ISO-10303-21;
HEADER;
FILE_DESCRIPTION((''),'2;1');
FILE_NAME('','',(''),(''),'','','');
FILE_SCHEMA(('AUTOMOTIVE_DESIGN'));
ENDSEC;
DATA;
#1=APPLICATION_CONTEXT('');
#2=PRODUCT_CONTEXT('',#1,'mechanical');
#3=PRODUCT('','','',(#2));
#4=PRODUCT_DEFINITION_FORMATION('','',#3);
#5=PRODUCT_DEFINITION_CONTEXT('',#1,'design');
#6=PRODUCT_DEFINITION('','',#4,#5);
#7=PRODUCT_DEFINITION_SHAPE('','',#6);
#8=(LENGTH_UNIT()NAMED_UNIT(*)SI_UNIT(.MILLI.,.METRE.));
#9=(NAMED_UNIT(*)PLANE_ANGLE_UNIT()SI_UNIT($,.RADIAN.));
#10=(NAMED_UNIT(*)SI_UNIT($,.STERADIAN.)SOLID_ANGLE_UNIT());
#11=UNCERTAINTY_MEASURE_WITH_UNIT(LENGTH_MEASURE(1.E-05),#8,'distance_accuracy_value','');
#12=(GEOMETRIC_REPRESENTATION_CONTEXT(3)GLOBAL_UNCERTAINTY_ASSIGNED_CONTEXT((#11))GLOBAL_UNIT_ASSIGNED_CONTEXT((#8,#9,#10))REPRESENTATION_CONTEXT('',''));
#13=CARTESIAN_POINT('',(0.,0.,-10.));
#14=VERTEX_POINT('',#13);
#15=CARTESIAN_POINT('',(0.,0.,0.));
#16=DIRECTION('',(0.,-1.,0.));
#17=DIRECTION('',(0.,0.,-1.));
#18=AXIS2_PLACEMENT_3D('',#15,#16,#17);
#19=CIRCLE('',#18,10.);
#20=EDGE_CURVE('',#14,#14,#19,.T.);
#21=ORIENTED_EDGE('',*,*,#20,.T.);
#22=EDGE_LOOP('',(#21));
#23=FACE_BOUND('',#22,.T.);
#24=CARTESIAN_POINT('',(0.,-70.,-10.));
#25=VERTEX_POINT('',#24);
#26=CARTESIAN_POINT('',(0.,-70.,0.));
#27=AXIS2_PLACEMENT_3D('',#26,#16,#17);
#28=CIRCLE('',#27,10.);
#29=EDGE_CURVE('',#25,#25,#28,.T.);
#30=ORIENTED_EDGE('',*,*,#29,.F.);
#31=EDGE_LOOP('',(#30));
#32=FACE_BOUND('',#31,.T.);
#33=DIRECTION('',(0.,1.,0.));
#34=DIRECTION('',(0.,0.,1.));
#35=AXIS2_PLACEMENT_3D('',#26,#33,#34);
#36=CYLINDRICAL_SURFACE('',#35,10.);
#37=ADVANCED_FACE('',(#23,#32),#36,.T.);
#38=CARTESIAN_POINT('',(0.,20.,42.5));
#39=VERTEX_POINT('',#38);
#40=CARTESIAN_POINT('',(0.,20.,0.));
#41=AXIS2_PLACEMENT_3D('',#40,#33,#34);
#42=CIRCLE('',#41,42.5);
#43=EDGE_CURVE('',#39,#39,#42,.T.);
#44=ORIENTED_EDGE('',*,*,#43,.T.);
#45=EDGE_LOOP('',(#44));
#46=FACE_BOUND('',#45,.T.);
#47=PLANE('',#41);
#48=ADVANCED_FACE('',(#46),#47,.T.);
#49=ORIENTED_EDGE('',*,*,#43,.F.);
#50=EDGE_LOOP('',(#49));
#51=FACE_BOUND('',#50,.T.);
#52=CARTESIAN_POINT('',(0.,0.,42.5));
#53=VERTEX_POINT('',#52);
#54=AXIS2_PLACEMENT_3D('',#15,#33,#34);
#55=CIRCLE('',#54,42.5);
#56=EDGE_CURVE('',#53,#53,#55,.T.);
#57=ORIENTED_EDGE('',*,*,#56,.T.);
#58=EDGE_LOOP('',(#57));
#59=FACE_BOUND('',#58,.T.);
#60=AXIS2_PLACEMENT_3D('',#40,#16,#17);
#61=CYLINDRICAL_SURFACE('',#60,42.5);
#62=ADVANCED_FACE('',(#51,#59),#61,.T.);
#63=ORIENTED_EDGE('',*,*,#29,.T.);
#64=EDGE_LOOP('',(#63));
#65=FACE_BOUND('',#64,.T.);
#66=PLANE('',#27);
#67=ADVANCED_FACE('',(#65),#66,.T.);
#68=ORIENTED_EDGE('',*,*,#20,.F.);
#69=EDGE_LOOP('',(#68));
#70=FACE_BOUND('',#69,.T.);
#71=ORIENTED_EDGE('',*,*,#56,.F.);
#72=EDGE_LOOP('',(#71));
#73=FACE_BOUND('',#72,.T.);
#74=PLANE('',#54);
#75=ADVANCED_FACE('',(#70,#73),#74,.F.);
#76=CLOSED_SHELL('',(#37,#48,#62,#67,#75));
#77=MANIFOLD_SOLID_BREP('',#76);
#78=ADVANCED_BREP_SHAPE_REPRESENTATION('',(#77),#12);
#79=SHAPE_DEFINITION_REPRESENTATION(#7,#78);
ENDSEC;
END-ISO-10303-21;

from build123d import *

# Parameters (mm, degrees)
SKETCH_1_R      = 42.5
EXTRUDE_1_DEPTH = 20
SKETCH_2_R      = 10
EXTRUDE_2_DEPTH = 70


with BuildPart() as part:
    # 草圖1 → 填料-伸長1 (new body)
    with BuildSketch(Plane(origin=(0, 0, 0), x_dir=(1, 0, 0), z_dir=(0, 1, 0))):
        with Locations(Location((0, 0, 0), (0, 0, 270))):
            Circle(SKETCH_1_R)
    extrude(amount=EXTRUDE_1_DEPTH)

    # 草圖2 → 填料-伸長2 (add)
    with BuildSketch(Plane.XZ):
        with Locations(Location((0, 0, 0), (0, 0, 270))):
            Circle(SKETCH_2_R)
    extrude(amount=EXTRUDE_2_DEPTH)


solid = part.part
